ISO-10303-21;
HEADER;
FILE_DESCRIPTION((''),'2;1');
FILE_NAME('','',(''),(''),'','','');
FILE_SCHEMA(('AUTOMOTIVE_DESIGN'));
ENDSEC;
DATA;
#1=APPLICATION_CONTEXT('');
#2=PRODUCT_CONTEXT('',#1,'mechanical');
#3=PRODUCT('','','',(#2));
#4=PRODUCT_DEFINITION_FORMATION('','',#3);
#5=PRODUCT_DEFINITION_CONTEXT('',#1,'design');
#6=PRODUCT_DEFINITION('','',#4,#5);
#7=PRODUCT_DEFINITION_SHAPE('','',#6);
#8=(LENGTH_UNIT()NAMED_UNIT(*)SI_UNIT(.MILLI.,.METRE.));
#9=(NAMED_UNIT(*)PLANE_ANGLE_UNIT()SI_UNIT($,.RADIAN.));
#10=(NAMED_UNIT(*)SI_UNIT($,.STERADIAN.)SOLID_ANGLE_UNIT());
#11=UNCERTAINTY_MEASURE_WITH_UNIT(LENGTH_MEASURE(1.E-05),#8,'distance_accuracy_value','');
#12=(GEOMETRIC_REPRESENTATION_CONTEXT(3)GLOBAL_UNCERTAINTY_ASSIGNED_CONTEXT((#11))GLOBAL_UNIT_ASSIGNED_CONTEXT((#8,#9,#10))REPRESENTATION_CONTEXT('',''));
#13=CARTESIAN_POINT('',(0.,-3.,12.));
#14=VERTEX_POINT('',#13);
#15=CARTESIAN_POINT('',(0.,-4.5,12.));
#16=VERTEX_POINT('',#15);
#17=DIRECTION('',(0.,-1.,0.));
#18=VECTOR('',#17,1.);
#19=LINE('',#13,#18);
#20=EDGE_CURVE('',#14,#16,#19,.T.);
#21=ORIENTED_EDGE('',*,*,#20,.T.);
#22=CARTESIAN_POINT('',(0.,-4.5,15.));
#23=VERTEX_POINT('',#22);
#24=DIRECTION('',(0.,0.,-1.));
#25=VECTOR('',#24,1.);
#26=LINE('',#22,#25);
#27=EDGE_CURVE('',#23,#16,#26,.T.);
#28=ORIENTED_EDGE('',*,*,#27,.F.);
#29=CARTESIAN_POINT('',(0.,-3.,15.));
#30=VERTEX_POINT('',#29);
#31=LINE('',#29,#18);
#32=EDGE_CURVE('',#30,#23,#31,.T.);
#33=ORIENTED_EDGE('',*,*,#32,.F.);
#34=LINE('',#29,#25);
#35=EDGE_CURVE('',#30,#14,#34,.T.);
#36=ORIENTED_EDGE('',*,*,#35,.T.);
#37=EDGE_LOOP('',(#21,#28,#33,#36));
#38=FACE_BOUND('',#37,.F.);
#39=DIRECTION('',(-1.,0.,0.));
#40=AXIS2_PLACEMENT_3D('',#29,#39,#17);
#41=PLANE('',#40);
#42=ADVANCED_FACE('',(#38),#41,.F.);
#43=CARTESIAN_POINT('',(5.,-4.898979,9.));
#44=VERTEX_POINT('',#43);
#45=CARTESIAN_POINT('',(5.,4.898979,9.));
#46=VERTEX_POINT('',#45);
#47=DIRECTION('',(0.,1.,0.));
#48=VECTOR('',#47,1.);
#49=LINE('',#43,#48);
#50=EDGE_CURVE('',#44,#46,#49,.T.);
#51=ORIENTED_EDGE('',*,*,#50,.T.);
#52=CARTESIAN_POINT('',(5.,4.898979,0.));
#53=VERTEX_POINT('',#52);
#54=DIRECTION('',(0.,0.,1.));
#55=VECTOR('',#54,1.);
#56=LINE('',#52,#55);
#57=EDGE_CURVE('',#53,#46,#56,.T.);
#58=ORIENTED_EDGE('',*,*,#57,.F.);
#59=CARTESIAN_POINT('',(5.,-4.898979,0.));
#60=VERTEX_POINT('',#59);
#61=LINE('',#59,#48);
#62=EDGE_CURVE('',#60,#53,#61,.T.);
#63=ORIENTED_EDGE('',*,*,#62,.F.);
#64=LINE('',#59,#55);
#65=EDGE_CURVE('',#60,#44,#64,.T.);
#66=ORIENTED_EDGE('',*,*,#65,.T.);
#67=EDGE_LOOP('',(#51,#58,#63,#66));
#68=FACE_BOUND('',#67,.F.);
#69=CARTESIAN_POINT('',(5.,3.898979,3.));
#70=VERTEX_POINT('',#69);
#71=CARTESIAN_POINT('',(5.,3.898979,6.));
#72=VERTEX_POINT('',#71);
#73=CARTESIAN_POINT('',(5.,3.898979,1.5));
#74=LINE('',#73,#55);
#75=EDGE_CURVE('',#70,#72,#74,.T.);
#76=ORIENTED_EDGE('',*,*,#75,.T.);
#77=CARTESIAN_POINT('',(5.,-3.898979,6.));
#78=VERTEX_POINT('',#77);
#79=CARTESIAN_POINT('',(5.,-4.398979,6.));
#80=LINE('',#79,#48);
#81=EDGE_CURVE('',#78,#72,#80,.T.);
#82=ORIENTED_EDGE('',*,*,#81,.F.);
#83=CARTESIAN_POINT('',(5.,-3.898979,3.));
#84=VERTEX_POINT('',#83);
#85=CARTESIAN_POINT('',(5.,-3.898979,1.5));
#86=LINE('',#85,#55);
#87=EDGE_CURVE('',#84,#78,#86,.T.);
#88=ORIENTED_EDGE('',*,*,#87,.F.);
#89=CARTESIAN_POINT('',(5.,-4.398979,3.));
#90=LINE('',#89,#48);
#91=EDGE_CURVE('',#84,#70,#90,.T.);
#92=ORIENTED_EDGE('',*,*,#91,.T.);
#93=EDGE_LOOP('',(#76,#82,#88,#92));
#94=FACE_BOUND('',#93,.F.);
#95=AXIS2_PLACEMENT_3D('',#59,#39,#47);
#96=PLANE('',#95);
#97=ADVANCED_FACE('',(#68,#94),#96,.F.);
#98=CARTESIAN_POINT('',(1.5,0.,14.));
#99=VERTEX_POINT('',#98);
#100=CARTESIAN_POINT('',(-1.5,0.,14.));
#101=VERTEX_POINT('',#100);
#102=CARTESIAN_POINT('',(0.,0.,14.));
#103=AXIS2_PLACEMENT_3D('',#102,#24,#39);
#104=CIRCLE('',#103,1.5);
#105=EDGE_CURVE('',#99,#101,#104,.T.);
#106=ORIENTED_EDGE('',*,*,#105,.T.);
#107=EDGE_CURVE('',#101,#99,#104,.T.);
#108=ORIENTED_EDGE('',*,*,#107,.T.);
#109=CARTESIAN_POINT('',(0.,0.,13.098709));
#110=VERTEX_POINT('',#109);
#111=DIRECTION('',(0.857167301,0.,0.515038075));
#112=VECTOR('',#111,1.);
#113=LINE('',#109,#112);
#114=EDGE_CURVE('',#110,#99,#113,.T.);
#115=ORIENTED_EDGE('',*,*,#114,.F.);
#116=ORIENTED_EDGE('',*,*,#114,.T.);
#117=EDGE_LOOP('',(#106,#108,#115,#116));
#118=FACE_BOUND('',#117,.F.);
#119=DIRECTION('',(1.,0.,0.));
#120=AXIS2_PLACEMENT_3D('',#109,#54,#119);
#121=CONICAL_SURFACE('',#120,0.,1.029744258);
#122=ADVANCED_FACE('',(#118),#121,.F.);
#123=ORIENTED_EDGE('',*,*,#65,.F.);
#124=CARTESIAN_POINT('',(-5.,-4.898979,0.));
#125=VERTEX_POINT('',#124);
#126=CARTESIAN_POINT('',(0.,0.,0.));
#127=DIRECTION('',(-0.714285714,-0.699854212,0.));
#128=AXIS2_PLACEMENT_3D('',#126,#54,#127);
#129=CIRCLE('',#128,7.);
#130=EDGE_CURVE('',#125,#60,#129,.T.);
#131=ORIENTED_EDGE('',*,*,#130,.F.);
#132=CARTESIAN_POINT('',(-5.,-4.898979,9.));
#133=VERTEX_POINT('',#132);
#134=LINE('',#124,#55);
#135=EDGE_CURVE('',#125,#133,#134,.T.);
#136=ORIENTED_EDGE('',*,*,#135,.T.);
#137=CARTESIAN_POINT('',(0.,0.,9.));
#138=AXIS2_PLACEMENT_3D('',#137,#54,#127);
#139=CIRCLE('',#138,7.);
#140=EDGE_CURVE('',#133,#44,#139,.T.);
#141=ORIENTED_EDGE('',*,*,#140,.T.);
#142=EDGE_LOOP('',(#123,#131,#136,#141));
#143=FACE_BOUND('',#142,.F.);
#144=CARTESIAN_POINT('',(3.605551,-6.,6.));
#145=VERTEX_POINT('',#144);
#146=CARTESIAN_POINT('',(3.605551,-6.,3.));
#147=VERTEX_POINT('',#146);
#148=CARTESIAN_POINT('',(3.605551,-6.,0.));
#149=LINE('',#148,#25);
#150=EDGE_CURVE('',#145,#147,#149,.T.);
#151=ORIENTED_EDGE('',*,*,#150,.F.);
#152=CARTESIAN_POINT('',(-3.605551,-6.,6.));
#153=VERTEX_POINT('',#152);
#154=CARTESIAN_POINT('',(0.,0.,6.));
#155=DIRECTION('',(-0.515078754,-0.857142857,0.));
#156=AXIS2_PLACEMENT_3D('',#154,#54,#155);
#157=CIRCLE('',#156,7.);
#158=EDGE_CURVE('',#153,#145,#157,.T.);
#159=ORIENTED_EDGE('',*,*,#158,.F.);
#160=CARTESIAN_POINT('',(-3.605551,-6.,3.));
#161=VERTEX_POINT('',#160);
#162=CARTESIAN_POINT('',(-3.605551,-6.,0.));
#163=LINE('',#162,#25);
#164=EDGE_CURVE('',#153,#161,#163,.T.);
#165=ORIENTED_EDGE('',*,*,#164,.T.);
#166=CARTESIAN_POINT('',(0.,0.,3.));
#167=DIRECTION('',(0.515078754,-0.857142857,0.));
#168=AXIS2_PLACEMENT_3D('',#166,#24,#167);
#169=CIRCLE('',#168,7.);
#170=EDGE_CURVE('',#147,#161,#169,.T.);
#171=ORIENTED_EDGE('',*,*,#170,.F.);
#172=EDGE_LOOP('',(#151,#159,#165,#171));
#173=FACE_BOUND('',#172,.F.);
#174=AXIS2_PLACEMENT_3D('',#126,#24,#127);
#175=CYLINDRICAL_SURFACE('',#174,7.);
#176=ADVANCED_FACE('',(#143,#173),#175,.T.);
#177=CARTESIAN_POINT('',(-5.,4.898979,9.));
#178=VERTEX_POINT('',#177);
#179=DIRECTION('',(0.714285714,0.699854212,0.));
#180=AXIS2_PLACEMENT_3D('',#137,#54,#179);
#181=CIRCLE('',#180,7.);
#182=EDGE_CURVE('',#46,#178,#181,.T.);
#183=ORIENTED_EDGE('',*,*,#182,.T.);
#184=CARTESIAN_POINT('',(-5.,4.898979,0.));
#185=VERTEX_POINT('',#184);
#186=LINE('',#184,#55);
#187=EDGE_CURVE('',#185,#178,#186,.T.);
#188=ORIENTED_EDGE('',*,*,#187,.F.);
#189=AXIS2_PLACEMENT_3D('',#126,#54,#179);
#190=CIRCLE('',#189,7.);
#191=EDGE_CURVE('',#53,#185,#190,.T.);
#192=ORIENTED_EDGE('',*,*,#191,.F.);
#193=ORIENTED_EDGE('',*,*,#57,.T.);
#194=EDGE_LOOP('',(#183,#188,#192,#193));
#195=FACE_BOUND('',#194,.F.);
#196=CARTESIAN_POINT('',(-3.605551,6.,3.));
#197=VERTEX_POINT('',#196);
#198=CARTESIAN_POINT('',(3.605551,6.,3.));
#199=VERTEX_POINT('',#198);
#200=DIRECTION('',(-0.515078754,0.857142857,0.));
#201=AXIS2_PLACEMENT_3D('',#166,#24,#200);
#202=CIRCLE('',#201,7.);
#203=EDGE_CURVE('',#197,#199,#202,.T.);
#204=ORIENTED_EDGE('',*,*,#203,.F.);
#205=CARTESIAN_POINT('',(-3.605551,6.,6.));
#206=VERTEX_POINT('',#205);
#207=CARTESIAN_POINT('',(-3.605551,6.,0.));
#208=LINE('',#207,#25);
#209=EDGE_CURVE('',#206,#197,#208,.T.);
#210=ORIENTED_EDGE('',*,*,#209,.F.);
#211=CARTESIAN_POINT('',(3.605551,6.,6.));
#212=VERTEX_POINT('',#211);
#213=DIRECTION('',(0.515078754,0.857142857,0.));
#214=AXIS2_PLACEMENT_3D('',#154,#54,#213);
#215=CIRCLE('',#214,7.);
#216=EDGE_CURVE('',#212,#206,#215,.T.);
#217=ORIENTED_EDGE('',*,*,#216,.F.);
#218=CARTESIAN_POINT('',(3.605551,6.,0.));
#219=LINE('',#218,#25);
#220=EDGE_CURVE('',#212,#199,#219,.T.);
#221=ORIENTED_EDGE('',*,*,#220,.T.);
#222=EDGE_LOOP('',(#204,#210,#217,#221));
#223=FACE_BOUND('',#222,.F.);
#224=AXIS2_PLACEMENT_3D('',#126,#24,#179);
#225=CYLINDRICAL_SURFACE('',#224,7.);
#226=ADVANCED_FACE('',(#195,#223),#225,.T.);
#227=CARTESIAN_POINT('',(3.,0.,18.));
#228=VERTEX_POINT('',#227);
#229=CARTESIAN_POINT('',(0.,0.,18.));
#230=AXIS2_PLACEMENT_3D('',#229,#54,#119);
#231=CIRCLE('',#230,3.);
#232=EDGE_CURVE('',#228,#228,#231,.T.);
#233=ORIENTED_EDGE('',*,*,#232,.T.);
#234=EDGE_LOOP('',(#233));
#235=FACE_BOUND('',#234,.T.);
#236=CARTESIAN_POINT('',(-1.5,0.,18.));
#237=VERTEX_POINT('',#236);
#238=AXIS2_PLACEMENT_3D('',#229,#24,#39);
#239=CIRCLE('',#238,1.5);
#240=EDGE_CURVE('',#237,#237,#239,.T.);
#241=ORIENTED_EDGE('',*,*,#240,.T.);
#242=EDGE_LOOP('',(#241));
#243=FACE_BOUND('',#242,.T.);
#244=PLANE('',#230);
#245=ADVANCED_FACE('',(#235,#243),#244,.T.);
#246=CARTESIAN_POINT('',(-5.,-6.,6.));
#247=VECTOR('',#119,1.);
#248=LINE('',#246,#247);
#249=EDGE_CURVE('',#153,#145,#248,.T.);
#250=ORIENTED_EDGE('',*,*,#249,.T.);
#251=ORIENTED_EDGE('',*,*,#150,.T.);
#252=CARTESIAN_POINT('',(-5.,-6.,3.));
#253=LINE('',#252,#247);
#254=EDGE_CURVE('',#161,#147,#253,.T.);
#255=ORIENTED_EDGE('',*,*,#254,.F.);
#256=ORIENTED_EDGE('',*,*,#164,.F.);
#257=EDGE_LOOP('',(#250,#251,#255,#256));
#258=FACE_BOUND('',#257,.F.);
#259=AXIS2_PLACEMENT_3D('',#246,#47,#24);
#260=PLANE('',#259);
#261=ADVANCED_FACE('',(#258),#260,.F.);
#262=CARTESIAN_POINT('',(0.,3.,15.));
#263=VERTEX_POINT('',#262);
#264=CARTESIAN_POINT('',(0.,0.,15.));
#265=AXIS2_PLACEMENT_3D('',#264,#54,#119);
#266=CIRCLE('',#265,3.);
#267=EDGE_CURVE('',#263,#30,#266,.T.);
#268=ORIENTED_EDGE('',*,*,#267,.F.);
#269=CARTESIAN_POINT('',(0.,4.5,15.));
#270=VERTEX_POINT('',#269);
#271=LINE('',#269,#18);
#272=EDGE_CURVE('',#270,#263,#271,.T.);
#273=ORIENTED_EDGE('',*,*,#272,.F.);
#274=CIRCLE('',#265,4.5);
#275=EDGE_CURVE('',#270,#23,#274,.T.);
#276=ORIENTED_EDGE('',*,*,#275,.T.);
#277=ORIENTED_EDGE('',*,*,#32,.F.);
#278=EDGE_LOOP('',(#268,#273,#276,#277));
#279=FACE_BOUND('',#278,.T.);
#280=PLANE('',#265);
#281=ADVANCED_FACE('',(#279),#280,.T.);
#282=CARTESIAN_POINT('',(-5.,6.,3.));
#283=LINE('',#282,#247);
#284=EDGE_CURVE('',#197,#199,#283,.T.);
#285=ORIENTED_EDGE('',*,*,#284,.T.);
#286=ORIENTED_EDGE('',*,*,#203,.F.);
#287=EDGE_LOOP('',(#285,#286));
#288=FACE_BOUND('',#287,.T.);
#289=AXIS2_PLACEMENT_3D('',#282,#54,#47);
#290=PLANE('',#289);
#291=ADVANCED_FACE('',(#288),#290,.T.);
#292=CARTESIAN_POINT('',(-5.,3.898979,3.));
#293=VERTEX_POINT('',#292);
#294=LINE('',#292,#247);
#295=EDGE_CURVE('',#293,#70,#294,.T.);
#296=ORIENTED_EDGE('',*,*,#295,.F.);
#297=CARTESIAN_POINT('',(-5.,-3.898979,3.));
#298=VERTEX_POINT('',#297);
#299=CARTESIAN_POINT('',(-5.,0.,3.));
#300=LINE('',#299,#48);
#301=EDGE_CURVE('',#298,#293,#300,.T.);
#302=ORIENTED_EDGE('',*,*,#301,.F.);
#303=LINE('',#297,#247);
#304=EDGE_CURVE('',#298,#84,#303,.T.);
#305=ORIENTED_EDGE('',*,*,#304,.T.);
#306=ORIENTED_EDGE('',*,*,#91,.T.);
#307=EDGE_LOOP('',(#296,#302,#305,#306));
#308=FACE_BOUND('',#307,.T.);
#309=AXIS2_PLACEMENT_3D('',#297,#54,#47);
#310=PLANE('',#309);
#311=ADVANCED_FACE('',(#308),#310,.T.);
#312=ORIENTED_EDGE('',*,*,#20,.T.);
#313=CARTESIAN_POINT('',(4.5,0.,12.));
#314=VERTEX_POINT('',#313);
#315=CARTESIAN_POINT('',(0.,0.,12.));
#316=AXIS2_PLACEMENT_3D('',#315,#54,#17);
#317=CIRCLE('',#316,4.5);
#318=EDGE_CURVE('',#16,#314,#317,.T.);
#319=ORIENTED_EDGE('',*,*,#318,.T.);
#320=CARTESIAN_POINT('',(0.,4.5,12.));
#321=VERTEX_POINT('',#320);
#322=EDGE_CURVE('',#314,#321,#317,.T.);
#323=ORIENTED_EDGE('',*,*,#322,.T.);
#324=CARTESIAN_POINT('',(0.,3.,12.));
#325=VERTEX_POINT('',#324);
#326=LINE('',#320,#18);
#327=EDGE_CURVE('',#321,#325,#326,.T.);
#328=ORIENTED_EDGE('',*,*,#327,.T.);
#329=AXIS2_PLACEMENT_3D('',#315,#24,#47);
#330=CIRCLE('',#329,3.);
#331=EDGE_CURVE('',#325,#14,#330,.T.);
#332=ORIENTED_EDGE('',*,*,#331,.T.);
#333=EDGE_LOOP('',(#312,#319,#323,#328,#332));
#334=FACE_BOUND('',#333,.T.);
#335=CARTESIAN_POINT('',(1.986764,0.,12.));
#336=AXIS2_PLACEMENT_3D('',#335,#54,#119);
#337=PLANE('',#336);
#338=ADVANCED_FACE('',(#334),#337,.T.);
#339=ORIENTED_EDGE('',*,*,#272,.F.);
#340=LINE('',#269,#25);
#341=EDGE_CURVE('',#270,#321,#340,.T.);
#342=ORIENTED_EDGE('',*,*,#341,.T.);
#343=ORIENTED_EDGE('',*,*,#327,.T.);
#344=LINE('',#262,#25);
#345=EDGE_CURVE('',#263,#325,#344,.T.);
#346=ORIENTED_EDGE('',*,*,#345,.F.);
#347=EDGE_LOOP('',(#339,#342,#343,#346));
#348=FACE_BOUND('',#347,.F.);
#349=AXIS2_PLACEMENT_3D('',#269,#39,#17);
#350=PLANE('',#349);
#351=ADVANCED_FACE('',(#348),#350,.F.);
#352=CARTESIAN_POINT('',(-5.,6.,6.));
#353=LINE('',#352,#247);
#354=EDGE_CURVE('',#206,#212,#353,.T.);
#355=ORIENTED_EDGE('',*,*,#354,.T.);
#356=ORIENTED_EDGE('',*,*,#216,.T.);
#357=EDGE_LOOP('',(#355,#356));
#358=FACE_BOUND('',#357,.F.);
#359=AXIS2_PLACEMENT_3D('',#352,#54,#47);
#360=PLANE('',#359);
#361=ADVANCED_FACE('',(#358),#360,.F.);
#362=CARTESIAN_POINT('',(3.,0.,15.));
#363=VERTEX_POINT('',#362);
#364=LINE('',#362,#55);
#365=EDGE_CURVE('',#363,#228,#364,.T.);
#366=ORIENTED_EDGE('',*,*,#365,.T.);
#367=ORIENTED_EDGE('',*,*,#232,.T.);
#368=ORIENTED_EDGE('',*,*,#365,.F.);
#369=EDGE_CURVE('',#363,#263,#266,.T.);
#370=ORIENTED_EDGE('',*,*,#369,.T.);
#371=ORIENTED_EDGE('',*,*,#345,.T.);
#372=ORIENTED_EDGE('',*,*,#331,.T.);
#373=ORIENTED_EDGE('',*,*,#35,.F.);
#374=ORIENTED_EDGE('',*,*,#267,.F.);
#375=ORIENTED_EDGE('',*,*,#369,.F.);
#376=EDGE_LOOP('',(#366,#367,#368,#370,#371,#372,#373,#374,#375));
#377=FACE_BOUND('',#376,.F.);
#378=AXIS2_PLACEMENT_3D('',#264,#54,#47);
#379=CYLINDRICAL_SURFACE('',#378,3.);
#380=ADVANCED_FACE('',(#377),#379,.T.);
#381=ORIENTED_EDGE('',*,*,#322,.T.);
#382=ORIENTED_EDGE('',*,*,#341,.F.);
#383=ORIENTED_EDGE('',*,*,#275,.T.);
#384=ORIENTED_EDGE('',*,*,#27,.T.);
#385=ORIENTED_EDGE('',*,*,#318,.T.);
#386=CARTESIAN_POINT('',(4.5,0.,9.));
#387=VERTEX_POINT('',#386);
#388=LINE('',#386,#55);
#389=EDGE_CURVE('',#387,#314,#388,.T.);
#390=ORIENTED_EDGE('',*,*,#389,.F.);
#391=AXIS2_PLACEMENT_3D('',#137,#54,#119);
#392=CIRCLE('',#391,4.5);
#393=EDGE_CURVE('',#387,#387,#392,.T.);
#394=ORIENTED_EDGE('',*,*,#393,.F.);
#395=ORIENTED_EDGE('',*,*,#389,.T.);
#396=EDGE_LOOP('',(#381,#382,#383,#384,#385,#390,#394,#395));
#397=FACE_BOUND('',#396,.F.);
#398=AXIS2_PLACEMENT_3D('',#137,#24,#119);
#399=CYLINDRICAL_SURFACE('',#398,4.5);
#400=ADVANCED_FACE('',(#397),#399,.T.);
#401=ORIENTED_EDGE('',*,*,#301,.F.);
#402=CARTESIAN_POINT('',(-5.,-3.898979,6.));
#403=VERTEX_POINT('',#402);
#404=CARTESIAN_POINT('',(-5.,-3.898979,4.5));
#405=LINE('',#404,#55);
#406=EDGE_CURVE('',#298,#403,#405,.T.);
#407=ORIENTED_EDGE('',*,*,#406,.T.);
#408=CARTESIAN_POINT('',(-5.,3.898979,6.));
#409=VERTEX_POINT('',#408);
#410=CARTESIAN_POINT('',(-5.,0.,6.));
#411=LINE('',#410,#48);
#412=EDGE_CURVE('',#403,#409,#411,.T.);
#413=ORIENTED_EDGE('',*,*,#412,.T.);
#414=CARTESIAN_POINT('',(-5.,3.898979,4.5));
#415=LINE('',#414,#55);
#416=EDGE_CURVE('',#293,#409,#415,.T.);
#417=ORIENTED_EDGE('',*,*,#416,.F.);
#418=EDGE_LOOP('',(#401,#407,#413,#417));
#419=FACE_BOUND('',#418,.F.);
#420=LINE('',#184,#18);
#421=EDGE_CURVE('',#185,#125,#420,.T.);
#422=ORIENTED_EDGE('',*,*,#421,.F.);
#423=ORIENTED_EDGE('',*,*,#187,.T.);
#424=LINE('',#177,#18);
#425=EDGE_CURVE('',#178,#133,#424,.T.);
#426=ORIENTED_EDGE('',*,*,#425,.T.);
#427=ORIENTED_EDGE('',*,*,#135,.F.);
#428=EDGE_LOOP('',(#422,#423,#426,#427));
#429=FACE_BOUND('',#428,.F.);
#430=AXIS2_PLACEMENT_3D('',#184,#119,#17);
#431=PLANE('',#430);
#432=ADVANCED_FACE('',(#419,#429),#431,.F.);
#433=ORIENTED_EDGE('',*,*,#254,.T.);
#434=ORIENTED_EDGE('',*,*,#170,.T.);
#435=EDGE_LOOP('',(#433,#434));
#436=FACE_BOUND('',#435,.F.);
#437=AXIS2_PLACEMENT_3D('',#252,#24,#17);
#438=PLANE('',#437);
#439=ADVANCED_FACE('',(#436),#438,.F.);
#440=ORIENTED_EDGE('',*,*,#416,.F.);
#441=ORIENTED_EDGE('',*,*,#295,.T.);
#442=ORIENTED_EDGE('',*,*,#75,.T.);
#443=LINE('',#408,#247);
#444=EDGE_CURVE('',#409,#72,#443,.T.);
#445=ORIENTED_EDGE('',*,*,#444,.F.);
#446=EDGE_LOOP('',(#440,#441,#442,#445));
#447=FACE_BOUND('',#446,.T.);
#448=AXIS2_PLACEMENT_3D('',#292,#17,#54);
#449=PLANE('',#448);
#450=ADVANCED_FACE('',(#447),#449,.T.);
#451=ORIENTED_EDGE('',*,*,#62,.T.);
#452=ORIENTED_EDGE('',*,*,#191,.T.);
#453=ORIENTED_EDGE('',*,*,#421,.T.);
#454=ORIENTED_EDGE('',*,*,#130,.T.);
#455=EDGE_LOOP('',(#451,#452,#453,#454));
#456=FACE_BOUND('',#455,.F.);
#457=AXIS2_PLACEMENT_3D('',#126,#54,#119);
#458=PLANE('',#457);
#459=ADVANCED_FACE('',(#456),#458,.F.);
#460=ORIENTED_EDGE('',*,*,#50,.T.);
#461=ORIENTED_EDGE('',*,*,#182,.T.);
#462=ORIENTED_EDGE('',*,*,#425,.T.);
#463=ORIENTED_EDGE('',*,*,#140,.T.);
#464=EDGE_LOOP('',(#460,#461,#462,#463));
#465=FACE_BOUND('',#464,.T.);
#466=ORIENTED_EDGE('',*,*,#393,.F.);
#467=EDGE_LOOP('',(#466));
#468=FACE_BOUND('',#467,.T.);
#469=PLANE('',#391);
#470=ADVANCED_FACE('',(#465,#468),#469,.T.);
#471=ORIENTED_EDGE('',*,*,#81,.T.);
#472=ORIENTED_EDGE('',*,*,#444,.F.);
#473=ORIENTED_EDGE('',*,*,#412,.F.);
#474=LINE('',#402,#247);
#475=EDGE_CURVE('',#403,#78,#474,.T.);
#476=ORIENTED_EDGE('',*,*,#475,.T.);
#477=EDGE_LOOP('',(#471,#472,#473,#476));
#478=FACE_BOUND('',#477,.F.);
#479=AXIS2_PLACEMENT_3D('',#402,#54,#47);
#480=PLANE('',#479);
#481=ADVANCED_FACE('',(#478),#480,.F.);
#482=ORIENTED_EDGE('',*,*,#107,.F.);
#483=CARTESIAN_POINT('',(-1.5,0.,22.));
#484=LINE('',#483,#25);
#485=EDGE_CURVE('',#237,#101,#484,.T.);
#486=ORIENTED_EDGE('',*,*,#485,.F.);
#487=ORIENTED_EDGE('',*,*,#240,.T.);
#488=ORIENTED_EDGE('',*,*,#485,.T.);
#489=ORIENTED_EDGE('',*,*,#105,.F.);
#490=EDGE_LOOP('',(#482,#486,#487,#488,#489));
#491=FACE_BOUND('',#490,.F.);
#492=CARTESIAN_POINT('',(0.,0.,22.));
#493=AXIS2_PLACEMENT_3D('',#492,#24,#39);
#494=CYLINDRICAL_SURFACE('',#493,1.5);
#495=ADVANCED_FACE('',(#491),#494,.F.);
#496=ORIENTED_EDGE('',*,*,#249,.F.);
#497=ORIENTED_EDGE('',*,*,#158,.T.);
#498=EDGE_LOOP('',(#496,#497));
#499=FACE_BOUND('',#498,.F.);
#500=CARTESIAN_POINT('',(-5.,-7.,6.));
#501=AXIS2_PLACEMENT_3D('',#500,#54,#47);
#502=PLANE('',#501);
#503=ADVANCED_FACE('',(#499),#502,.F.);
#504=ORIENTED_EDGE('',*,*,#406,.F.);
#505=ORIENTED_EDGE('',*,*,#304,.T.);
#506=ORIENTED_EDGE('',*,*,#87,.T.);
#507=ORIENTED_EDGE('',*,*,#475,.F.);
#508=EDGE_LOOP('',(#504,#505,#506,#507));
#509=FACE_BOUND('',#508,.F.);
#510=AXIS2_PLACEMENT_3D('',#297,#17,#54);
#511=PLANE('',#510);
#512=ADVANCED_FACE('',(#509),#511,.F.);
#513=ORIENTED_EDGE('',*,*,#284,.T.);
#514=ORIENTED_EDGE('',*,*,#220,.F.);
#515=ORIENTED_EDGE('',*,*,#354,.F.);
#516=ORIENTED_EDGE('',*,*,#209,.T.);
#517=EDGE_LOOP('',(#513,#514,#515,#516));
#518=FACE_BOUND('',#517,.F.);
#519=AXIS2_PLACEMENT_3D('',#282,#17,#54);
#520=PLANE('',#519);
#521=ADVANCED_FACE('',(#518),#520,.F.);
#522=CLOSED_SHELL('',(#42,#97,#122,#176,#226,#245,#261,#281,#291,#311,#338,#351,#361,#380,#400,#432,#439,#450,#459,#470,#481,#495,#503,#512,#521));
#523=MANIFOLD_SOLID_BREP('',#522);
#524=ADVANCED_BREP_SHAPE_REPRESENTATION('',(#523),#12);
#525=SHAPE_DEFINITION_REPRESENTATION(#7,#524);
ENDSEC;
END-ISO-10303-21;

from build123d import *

# Parameters (mm, degrees)
BOSS_EXTRUDE1_DEPTH       = 9
SKETCH2_W                 = 3
SKETCH2_H                 = 1
SKETCH2_H_2               = 7.797958972
CUT_EXTRUDE1_DEPTH        = 19
SKETCH3_R                 = 4.5
BOSS_EXTRUDE2_DEPTH       = 6
SKETCH4_R                 = 3
BOSS_EXTRUDE3_DEPTH       = 3
F_3_0MM_DOWEL_HOLE1_D     = 3
F_3_0MM_DOWEL_HOLE1_DEPTH = 4
F_3_0MM_DOWEL_HOLE1_TIP   = 0.901290929
CUT_EXTRUDE2_DEPTH        = 3


with BuildPart() as part:
    # Sketch1 → Boss-Extrude1 (new body)
    with BuildSketch(Plane.XY):
        with BuildLine():
            ThreePointArc((-5, -4.898979486), (0, -7), (5, -4.898979486))
            Line((5, -4.898979486), (5, 4.898979486))
            ThreePointArc((5, 4.898979486), (0, 7), (-5, 4.898979486))
            Line((-5, 4.898979486), (-5, -4.898979486))
        make_face()
    extrude(amount=BOSS_EXTRUDE1_DEPTH)

    # Sketch2 → Cut-Extrude1 (cut)
    with BuildSketch(Plane.ZY.offset(5)):
        with Locations((4.5, 6.5)):
            Rectangle(SKETCH2_W, SKETCH2_H)
        with Locations((4.5, 0)):
            Rectangle(SKETCH2_W, SKETCH2_H_2)
        Polygon((3, -7), (3.352176654, -7), (6, -7), (6, -6), (3, -6), align=None)
    extrude(amount=-CUT_EXTRUDE1_DEPTH, mode=Mode.SUBTRACT)

    # Sketch3 → Boss-Extrude2 (add)
    with BuildSketch(Plane.XY.offset(9)):
        Circle(SKETCH3_R)
    extrude(amount=BOSS_EXTRUDE2_DEPTH)

    # Sketch4 → Boss-Extrude3 (add)
    with BuildSketch(Plane.XY.offset(15)):
        Circle(SKETCH4_R)
    extrude(amount=BOSS_EXTRUDE3_DEPTH)

    # Ø3.0mm Dowel Hole1
    with Locations(Plane.XY.offset(18)):
        with Locations((0, 0)):
            Hole(F_3_0MM_DOWEL_HOLE1_D / 2, depth=F_3_0MM_DOWEL_HOLE1_DEPTH)
            with Locations((0, 0, -(F_3_0MM_DOWEL_HOLE1_DEPTH + F_3_0MM_DOWEL_HOLE1_TIP / 2))):  # 118° drill point
                Cone(0, F_3_0MM_DOWEL_HOLE1_D / 2, F_3_0MM_DOWEL_HOLE1_TIP, mode=Mode.SUBTRACT)

    # Sketch9 → Cut-Extrude2 (cut)
    with BuildSketch(Plane.XY.offset(15)):
        with BuildLine():
            Line((0, 4.5), (0, 3))
            ThreePointArc((0, 3), (3, 0), (0, -3))
            Line((0, -3), (0, -4.5))
            ThreePointArc((0, -4.5), (4.5, 0), (0, 4.5))
        make_face()
    extrude(amount=-CUT_EXTRUDE2_DEPTH, mode=Mode.SUBTRACT)


solid = part.part
